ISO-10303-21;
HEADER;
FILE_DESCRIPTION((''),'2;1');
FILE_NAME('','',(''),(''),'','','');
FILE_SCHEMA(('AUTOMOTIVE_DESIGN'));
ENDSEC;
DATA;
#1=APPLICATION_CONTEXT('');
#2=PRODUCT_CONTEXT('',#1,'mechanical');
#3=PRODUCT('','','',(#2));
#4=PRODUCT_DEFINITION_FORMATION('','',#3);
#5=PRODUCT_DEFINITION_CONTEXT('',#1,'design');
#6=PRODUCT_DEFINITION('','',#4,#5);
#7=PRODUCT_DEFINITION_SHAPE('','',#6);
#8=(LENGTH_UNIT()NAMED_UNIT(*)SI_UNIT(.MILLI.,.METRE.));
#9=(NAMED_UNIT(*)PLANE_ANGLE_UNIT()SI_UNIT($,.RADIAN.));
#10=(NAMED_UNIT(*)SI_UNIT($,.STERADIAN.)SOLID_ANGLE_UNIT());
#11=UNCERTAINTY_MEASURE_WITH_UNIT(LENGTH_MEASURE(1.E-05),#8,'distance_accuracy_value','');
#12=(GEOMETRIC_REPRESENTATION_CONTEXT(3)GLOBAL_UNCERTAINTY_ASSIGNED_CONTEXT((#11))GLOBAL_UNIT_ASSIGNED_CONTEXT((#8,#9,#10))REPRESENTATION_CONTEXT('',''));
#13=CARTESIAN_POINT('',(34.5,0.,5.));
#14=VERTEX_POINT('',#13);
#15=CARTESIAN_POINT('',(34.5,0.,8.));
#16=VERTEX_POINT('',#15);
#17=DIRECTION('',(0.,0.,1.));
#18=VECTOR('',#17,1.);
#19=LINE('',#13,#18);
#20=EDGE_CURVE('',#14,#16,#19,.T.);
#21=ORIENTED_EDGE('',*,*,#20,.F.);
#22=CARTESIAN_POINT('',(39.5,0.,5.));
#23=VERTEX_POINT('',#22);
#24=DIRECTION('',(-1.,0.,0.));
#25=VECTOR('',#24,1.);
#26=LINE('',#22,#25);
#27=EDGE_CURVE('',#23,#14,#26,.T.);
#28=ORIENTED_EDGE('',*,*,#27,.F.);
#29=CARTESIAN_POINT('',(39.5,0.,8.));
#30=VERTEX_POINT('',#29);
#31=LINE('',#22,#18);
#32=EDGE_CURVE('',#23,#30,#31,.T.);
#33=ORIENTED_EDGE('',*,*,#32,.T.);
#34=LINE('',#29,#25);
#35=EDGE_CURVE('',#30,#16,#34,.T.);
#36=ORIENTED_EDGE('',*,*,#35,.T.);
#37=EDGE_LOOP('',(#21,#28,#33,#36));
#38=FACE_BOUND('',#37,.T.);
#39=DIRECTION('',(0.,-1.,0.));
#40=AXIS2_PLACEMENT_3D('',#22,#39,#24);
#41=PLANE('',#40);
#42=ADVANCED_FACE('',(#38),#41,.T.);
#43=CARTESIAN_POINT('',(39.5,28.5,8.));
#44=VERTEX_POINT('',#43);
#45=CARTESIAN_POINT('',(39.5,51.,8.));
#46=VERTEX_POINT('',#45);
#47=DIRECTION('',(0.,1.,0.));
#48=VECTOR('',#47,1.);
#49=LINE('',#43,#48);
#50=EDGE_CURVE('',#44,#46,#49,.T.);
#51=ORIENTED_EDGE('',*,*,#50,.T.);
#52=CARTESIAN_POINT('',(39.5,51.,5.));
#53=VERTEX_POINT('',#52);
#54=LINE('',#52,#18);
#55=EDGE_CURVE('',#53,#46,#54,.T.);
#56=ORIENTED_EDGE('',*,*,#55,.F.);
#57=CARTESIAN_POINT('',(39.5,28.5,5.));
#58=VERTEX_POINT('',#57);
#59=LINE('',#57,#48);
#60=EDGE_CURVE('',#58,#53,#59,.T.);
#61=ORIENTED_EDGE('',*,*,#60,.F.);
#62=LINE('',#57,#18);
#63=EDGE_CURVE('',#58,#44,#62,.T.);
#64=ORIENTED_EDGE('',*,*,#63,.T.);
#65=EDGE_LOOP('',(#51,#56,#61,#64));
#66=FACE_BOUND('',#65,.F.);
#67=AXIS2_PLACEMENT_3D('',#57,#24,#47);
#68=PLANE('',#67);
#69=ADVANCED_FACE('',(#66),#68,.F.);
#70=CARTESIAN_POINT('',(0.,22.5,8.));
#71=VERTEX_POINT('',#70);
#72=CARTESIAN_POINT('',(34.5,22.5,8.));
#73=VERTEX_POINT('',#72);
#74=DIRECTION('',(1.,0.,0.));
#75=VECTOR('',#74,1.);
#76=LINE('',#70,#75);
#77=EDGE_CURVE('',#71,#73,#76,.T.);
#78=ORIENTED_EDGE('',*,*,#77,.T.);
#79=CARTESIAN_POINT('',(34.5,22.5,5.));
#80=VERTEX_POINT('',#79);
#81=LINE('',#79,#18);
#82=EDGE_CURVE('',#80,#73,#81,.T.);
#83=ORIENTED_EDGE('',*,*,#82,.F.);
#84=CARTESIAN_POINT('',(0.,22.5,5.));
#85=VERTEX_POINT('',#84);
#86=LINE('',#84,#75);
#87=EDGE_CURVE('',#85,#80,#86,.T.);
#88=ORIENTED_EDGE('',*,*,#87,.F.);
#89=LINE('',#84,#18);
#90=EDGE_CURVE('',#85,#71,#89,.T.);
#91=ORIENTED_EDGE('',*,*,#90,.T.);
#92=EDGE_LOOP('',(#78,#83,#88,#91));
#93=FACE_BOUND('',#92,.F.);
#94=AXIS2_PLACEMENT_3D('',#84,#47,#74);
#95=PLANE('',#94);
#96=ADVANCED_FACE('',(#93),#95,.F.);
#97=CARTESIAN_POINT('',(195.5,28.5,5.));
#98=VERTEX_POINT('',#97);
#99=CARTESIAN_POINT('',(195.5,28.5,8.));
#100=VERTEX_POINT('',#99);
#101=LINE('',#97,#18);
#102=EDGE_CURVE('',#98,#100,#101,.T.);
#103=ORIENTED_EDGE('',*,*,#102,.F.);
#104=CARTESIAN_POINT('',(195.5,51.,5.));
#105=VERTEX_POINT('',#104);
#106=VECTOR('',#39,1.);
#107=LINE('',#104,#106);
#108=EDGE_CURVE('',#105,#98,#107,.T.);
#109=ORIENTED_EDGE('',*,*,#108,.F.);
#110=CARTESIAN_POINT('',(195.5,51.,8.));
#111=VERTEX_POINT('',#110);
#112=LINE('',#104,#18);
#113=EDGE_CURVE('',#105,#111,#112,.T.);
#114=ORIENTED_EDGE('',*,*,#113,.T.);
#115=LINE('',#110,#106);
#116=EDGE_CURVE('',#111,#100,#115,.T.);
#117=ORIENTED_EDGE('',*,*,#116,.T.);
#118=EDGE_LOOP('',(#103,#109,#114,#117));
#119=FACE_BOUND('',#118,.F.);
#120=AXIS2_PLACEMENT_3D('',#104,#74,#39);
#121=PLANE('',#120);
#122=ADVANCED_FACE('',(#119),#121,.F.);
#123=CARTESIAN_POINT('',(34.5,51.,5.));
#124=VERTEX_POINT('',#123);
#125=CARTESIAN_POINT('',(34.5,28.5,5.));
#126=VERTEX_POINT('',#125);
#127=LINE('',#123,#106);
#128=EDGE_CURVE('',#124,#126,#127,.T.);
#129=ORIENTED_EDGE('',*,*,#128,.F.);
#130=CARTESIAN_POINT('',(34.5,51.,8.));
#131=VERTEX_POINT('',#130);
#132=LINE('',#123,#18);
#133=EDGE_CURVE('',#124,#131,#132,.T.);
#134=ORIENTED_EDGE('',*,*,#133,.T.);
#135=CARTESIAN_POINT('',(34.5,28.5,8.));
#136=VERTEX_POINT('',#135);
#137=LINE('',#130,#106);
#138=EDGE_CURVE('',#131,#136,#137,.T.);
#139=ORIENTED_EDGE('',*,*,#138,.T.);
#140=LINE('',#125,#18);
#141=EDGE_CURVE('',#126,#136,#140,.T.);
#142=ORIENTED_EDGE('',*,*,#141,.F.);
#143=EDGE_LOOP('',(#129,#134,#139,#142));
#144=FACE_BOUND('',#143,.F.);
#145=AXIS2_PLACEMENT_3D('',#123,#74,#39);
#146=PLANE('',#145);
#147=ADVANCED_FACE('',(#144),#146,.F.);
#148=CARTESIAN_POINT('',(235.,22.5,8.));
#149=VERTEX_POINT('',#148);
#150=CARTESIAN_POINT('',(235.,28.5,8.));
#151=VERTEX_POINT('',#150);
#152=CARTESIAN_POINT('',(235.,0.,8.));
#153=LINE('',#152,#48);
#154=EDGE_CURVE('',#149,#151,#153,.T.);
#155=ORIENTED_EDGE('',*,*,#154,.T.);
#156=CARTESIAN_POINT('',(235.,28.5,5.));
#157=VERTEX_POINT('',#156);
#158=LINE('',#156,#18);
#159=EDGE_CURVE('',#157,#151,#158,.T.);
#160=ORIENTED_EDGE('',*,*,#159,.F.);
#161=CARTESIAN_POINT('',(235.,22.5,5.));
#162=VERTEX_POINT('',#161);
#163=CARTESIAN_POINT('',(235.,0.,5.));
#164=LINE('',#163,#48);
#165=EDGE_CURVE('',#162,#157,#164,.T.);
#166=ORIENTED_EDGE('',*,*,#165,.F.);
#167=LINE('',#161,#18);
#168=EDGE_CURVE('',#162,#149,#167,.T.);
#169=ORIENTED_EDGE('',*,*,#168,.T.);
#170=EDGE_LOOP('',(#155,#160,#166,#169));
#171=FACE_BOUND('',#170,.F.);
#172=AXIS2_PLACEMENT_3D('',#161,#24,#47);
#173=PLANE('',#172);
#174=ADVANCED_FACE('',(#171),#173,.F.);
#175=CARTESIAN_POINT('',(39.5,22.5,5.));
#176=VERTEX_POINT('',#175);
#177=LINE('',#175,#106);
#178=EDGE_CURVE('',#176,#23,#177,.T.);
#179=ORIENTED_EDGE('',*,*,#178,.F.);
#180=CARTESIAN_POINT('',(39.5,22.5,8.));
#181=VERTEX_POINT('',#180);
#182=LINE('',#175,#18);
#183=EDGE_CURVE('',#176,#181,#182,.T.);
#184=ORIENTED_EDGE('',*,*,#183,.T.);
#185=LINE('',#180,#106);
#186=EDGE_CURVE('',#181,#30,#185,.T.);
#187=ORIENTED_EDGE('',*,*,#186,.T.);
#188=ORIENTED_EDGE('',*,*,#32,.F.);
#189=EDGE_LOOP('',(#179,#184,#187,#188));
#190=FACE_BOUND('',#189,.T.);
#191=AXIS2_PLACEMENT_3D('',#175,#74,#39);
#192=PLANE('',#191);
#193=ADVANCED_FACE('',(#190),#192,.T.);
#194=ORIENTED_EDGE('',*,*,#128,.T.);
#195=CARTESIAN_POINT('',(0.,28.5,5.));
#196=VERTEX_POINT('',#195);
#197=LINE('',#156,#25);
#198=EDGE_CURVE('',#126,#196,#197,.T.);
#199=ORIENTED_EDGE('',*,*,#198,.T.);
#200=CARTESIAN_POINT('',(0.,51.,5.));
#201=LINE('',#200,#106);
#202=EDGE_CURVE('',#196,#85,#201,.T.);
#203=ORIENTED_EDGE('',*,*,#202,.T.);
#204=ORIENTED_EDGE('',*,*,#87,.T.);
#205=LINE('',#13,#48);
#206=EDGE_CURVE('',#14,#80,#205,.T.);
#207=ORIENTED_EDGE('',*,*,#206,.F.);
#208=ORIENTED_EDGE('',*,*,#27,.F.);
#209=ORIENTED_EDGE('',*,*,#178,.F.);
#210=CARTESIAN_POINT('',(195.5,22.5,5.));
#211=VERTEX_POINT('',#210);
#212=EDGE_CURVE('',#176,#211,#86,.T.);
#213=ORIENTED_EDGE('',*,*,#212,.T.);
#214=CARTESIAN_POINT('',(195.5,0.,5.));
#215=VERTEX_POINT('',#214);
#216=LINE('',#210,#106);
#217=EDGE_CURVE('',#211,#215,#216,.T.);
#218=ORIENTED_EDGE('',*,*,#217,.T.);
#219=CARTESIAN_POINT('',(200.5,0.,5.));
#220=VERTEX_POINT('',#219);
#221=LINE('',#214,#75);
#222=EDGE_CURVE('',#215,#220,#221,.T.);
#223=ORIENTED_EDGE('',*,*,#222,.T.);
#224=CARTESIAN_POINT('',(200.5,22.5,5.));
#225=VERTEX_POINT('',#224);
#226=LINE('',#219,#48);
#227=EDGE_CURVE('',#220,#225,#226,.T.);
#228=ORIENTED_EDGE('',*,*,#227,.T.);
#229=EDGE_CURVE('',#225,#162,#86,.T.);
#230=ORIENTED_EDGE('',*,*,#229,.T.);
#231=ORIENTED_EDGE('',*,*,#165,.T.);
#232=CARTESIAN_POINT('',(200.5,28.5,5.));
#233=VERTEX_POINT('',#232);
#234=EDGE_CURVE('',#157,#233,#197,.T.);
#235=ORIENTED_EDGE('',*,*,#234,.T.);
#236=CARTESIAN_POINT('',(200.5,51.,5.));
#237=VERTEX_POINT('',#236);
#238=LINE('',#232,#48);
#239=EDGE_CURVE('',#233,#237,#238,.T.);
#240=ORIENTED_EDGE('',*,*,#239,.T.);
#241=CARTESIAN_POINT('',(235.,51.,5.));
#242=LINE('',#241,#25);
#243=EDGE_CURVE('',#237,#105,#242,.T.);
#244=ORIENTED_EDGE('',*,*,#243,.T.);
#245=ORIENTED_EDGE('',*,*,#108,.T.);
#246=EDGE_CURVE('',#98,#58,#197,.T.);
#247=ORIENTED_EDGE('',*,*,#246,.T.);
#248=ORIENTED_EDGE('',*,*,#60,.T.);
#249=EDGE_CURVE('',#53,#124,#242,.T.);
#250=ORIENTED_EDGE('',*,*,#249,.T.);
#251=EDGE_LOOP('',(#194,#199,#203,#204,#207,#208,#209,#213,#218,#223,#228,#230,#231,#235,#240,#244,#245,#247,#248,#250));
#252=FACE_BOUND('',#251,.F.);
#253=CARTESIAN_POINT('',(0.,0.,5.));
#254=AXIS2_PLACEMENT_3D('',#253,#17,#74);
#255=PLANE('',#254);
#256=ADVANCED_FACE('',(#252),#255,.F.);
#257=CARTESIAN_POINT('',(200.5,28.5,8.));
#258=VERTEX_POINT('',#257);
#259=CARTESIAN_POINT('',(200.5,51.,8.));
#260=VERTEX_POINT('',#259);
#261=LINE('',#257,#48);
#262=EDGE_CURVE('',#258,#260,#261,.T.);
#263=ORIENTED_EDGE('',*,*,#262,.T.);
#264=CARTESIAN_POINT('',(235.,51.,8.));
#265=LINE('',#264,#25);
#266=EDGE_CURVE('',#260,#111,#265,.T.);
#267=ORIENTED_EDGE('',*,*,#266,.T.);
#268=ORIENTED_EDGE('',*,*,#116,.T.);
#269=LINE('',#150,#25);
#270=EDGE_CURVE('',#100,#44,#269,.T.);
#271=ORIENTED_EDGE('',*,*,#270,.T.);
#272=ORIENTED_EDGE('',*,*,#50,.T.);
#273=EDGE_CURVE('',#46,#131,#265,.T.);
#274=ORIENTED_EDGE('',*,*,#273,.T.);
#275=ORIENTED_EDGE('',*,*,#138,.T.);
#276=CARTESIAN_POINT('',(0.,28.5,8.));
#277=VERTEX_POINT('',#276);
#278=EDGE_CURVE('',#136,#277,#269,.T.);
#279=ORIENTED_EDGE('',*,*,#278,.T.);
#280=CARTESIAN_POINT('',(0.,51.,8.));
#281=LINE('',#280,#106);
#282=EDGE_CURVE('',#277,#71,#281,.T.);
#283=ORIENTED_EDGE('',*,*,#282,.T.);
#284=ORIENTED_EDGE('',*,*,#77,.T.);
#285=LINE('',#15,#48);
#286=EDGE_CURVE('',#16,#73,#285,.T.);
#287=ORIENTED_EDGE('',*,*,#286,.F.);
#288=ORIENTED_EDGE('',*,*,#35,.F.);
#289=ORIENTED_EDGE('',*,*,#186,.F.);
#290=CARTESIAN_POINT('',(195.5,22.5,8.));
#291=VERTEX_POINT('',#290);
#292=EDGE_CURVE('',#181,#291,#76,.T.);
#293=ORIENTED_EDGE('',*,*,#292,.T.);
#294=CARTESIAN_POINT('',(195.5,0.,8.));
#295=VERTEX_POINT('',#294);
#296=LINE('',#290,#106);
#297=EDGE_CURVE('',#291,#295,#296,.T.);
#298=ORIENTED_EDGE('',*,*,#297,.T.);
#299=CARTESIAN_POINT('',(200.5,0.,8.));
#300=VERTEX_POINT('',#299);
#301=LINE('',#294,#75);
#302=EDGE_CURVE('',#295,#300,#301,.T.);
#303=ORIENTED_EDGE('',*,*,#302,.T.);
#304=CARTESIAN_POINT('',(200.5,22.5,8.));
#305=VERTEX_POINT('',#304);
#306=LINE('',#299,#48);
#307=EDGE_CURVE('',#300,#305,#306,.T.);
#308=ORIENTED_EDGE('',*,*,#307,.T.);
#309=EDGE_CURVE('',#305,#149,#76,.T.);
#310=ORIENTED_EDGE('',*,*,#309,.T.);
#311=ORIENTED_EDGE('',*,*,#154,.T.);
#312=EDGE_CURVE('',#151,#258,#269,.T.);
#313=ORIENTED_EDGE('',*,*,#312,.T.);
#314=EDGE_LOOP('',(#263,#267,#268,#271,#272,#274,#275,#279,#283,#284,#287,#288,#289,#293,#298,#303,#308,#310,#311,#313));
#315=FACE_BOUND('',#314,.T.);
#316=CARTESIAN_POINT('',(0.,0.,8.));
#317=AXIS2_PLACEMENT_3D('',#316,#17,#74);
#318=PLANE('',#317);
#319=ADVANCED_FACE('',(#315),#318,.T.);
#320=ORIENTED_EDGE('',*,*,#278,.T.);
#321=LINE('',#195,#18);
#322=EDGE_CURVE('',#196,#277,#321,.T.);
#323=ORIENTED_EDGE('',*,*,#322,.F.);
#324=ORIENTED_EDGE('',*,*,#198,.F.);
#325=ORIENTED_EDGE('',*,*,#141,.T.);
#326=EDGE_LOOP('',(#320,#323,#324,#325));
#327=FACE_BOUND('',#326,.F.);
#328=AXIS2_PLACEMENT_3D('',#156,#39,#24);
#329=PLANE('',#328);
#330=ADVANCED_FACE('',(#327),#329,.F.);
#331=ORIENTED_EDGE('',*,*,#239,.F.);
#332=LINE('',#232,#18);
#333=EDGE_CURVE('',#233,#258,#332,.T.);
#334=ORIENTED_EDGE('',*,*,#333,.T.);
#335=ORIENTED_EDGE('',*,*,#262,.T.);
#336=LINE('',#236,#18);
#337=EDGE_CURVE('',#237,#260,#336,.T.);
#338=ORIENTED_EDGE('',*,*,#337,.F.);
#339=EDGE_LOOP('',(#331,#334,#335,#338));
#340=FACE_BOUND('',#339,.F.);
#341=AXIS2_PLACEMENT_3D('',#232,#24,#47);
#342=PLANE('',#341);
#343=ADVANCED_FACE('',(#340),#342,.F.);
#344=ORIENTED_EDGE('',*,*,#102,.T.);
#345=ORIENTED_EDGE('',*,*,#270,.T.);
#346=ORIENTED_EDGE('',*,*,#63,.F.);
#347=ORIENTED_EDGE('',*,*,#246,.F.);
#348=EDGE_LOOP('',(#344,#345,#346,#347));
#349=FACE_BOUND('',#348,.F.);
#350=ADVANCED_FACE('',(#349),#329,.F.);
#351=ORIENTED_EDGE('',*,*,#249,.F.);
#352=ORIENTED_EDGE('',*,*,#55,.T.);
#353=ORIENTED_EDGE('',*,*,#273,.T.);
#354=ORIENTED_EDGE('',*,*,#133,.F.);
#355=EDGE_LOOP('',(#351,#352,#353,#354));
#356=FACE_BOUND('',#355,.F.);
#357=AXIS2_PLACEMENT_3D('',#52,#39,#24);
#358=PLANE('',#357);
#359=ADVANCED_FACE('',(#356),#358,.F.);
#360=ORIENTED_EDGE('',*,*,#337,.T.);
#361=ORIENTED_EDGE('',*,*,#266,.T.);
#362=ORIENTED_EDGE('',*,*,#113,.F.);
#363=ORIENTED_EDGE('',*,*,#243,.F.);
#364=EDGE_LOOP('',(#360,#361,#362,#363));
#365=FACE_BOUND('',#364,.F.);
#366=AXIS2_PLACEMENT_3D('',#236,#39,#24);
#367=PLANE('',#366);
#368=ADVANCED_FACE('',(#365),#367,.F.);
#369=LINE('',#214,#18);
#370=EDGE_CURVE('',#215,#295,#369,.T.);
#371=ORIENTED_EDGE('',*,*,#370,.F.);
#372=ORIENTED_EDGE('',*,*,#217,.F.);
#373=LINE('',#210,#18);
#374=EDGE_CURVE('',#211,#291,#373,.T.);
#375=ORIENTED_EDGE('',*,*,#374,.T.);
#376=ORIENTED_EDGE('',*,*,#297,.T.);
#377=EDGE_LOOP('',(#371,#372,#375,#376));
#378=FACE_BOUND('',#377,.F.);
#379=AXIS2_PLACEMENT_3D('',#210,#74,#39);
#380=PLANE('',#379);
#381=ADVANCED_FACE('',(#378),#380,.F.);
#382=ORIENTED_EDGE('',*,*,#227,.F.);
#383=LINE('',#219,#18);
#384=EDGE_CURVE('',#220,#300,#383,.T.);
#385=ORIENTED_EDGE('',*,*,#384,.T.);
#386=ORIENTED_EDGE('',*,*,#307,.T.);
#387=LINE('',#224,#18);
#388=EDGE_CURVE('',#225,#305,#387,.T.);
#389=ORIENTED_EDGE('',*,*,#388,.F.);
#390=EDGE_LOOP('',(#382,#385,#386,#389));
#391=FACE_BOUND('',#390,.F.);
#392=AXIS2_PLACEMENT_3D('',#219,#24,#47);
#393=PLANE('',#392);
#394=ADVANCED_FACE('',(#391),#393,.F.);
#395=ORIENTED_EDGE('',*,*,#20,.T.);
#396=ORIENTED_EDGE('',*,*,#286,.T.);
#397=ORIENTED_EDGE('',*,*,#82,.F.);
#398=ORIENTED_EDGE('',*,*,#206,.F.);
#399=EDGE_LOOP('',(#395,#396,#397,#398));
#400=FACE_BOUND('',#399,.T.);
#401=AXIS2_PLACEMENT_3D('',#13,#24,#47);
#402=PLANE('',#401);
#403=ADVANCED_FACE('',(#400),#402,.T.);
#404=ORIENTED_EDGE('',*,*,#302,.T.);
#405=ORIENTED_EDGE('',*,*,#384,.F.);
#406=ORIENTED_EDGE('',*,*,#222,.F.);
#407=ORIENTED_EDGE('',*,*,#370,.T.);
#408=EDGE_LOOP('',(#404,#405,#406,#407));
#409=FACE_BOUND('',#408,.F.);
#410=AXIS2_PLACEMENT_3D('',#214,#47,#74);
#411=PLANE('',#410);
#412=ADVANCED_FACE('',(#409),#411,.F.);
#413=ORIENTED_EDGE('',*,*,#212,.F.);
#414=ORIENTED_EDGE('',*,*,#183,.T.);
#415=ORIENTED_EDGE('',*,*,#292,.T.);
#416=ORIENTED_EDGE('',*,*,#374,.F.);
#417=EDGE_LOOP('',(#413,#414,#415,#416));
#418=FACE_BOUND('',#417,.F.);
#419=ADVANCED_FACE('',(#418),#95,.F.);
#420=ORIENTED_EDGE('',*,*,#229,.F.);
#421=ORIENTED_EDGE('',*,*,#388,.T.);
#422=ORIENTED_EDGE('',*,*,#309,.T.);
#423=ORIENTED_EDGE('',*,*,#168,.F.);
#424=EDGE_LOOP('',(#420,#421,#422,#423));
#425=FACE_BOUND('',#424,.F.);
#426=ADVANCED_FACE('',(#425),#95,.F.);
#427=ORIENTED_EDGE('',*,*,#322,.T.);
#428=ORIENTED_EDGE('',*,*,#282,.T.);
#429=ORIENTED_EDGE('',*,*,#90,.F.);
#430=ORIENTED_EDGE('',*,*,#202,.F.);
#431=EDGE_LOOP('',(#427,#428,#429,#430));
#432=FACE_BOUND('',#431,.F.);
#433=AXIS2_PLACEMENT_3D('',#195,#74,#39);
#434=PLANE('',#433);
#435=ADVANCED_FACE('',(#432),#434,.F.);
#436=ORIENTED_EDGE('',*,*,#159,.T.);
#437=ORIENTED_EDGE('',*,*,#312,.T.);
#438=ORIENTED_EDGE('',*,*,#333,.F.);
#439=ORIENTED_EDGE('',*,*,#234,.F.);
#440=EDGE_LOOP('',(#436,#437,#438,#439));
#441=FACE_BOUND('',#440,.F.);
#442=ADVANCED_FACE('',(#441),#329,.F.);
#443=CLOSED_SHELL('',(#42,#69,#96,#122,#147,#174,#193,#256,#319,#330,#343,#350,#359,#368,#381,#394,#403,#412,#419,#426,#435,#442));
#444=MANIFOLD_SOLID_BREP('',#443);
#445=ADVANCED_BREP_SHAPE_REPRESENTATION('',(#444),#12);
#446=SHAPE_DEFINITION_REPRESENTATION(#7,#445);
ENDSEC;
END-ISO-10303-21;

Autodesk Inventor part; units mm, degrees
ref_plane "Work Plane4" through (0, 0, 5) normal (0, 0, 1) x (1, 0, 0)
sketch "Sketch2" plane through (0, 0, 5) normal (0, 0, 1) x (1, 0, 0)
  line L0 (0, 0) -> (235, 0)
  line L1 (235, 0) -> (235, 51)
  line L2 (235, 51) -> (0, 51)
  line L3 (0, 51) -> (0, 0)
  line L4 (235, 0) -> (235, 51) projected
  line L5 (0, 22.5) -> (235, 22.5)
  line L6 (235, 22.5) -> (235, 28.5)
  line L7 (235, 28.5) -> (0, 28.5)
  line L8 (0, 28.5) -> (0, 22.5)
  line L9 (0, 22.5) -> (235, 28.5) construction
  line L10 (235, 22.5) -> (0, 28.5) construction
  point P0 (117.5, 25.5)
  dimension "d4" = 6
extrude "Extrusion2" add sketch "Sketch2" along normal blind 3 contours L3 L7 L1 L5
ref_plane "Work Plane8" through (0, 0, 5) normal (0, 0, 1) x (1, 0, 0)
sketch "Sketch3" plane through (0, 0, 5) normal (0, 0, 1) x (1, 0, 0)
  line L0 (0, 28.5) -> (235, 28.5) projected
  line L1 (235, 51) -> (0, 51) projected
  line L2 (34.5, 28.5) -> (39.5, 28.5)
  line L3 (39.5, 28.5) -> (39.5, 51)
  line L4 (39.5, 51) -> (34.5, 51)
  line L5 (34.5, 51) -> (34.5, 28.5)
  point P0 (0, 0)
  dimension "d7" = 5
ref_plane "Work Plane9" through (0, 0, 5) normal (0, 0, 1) x (1, 0, 0)
sketch "Sketch5" plane through (0, 0, 5) normal (0, 0, 1) x (1, 0, 0)
  line L0 (235, 51) -> (0, 51) projected
  line L1 (117.5, 51) -> (117.5, 0)
  line L2 (235, 28.5) -> (0, 28.5) projected
  line L3 (34.5, 51) -> (39.5, 51)
  line L4 (39.5, 51) -> (39.5, 28.5)
  line L5 (39.5, 28.5) -> (34.5, 28.5)
  line L6 (34.5, 28.5) -> (34.5, 51)
  line L7 (0, 22.5) -> (235, 22.5) projected
  line L8 (34.5, 22.5) -> (39.5, 22.5)
  line L9 (39.5, 22.5) -> (39.5, 0)
  line L10 (39.5, 0) -> (34.5, 0)
  line L11 (34.5, 0) -> (34.5, 22.5)
  line L12 (195.5, 51) -> (195.5, 28.5)
  line L13 (200.5, 28.5) -> (200.5, 51)
  line L14 (195.5, 22.5) -> (195.5, 0)
  line L15 (195.5, 0) -> (200.5, 0)
  line L16 (200.5, 0) -> (200.5, 22.5)
  line L17 (195.5, 28.5) -> (200.5, 28.5)
  line L18 (195.5, 22.5) -> (200.5, 22.5)
  line L19 (195.5, 51) -> (200.5, 51)
  point P0 (0, 0)
  dimension "d13" = 5
extrude "Extrusion5" add sketch "Sketch3" along normal blind 3
extrude "Extrusion6" add sketch "Sketch5" along normal blind 3 contours L9 L10 L11 L7
extrude "Extrusion7" add sketch "Sketch5" along normal blind 3 contours L13 L2 L12 L0 | L7 L16 L15 L14
sketch "Sketch7" plane through (0, 0, 8) normal (0, 0, 1) x (1, 0, 0)
  line L0 (0, 28.5) -> (34.5, 28.5)
  line L1 (34.5, 28.5) -> (34.5, 51)
  line L2 (34.5, 51) -> (39.5, 51)
  line L3 (39.5, 51) -> (39.5, 28.5)
  line L4 (39.5, 28.5) -> (39.5, 51) projected
  line L5 (39.5, 28.5) -> (195.5, 28.5)
  line L6 (195.5, 28.5) -> (195.5, 51)
  line L7 (195.5, 51) -> (195.5, 28.5) projected
  line L8 (195.5, 51) -> (185.7081, 51)
  line L9 (200.5, 51) -> (200.5, 28.5)
  line L10 (200.5, 28.5) -> (200.5, 51) projected
  line L11 (200.5, 28.5) -> (235, 28.5)
  line L12 (235, 28.5) -> (235, 22.5)
  line L13 (235, 22.5) -> (200.5, 22.5)
  line L14 (200.5, 22.5) -> (200.5, 0)
  line L15 (200.5, 0) -> (200.5, 22.5) projected
  line L16 (200.5, 0) -> (195.5, 0)
  line L17 (195.5, 0) -> (200.5, 0) projected
  line L18 (195.5, 0) -> (195.5, 22.5)
  line L19 (195.5, 22.5) -> (39.5, 22.5)
  line L20 (0, 22.5) -> (235, 22.5) projected
  line L21 (39.5, 22.5) -> (39.5, 0)
  line L22 (39.5, 0) -> (34.5, 0)
  line L23 (34.5, 0) -> (39.5, 0) projected
  line L24 (34.5, 0) -> (34.5, 22.5)
  line L25 (34.5, 22.5) -> (34.5, 0) projected
  line L26 (34.5, 22.5) -> (0, 22.5)
  line L27 (0, 22.5) -> (0, 28.5)
  line L28 (0, 28.5) -> (0, 22.5) projected
  point P0 (0, 0)
properties part number "Brace" material "ABS Plastic"
